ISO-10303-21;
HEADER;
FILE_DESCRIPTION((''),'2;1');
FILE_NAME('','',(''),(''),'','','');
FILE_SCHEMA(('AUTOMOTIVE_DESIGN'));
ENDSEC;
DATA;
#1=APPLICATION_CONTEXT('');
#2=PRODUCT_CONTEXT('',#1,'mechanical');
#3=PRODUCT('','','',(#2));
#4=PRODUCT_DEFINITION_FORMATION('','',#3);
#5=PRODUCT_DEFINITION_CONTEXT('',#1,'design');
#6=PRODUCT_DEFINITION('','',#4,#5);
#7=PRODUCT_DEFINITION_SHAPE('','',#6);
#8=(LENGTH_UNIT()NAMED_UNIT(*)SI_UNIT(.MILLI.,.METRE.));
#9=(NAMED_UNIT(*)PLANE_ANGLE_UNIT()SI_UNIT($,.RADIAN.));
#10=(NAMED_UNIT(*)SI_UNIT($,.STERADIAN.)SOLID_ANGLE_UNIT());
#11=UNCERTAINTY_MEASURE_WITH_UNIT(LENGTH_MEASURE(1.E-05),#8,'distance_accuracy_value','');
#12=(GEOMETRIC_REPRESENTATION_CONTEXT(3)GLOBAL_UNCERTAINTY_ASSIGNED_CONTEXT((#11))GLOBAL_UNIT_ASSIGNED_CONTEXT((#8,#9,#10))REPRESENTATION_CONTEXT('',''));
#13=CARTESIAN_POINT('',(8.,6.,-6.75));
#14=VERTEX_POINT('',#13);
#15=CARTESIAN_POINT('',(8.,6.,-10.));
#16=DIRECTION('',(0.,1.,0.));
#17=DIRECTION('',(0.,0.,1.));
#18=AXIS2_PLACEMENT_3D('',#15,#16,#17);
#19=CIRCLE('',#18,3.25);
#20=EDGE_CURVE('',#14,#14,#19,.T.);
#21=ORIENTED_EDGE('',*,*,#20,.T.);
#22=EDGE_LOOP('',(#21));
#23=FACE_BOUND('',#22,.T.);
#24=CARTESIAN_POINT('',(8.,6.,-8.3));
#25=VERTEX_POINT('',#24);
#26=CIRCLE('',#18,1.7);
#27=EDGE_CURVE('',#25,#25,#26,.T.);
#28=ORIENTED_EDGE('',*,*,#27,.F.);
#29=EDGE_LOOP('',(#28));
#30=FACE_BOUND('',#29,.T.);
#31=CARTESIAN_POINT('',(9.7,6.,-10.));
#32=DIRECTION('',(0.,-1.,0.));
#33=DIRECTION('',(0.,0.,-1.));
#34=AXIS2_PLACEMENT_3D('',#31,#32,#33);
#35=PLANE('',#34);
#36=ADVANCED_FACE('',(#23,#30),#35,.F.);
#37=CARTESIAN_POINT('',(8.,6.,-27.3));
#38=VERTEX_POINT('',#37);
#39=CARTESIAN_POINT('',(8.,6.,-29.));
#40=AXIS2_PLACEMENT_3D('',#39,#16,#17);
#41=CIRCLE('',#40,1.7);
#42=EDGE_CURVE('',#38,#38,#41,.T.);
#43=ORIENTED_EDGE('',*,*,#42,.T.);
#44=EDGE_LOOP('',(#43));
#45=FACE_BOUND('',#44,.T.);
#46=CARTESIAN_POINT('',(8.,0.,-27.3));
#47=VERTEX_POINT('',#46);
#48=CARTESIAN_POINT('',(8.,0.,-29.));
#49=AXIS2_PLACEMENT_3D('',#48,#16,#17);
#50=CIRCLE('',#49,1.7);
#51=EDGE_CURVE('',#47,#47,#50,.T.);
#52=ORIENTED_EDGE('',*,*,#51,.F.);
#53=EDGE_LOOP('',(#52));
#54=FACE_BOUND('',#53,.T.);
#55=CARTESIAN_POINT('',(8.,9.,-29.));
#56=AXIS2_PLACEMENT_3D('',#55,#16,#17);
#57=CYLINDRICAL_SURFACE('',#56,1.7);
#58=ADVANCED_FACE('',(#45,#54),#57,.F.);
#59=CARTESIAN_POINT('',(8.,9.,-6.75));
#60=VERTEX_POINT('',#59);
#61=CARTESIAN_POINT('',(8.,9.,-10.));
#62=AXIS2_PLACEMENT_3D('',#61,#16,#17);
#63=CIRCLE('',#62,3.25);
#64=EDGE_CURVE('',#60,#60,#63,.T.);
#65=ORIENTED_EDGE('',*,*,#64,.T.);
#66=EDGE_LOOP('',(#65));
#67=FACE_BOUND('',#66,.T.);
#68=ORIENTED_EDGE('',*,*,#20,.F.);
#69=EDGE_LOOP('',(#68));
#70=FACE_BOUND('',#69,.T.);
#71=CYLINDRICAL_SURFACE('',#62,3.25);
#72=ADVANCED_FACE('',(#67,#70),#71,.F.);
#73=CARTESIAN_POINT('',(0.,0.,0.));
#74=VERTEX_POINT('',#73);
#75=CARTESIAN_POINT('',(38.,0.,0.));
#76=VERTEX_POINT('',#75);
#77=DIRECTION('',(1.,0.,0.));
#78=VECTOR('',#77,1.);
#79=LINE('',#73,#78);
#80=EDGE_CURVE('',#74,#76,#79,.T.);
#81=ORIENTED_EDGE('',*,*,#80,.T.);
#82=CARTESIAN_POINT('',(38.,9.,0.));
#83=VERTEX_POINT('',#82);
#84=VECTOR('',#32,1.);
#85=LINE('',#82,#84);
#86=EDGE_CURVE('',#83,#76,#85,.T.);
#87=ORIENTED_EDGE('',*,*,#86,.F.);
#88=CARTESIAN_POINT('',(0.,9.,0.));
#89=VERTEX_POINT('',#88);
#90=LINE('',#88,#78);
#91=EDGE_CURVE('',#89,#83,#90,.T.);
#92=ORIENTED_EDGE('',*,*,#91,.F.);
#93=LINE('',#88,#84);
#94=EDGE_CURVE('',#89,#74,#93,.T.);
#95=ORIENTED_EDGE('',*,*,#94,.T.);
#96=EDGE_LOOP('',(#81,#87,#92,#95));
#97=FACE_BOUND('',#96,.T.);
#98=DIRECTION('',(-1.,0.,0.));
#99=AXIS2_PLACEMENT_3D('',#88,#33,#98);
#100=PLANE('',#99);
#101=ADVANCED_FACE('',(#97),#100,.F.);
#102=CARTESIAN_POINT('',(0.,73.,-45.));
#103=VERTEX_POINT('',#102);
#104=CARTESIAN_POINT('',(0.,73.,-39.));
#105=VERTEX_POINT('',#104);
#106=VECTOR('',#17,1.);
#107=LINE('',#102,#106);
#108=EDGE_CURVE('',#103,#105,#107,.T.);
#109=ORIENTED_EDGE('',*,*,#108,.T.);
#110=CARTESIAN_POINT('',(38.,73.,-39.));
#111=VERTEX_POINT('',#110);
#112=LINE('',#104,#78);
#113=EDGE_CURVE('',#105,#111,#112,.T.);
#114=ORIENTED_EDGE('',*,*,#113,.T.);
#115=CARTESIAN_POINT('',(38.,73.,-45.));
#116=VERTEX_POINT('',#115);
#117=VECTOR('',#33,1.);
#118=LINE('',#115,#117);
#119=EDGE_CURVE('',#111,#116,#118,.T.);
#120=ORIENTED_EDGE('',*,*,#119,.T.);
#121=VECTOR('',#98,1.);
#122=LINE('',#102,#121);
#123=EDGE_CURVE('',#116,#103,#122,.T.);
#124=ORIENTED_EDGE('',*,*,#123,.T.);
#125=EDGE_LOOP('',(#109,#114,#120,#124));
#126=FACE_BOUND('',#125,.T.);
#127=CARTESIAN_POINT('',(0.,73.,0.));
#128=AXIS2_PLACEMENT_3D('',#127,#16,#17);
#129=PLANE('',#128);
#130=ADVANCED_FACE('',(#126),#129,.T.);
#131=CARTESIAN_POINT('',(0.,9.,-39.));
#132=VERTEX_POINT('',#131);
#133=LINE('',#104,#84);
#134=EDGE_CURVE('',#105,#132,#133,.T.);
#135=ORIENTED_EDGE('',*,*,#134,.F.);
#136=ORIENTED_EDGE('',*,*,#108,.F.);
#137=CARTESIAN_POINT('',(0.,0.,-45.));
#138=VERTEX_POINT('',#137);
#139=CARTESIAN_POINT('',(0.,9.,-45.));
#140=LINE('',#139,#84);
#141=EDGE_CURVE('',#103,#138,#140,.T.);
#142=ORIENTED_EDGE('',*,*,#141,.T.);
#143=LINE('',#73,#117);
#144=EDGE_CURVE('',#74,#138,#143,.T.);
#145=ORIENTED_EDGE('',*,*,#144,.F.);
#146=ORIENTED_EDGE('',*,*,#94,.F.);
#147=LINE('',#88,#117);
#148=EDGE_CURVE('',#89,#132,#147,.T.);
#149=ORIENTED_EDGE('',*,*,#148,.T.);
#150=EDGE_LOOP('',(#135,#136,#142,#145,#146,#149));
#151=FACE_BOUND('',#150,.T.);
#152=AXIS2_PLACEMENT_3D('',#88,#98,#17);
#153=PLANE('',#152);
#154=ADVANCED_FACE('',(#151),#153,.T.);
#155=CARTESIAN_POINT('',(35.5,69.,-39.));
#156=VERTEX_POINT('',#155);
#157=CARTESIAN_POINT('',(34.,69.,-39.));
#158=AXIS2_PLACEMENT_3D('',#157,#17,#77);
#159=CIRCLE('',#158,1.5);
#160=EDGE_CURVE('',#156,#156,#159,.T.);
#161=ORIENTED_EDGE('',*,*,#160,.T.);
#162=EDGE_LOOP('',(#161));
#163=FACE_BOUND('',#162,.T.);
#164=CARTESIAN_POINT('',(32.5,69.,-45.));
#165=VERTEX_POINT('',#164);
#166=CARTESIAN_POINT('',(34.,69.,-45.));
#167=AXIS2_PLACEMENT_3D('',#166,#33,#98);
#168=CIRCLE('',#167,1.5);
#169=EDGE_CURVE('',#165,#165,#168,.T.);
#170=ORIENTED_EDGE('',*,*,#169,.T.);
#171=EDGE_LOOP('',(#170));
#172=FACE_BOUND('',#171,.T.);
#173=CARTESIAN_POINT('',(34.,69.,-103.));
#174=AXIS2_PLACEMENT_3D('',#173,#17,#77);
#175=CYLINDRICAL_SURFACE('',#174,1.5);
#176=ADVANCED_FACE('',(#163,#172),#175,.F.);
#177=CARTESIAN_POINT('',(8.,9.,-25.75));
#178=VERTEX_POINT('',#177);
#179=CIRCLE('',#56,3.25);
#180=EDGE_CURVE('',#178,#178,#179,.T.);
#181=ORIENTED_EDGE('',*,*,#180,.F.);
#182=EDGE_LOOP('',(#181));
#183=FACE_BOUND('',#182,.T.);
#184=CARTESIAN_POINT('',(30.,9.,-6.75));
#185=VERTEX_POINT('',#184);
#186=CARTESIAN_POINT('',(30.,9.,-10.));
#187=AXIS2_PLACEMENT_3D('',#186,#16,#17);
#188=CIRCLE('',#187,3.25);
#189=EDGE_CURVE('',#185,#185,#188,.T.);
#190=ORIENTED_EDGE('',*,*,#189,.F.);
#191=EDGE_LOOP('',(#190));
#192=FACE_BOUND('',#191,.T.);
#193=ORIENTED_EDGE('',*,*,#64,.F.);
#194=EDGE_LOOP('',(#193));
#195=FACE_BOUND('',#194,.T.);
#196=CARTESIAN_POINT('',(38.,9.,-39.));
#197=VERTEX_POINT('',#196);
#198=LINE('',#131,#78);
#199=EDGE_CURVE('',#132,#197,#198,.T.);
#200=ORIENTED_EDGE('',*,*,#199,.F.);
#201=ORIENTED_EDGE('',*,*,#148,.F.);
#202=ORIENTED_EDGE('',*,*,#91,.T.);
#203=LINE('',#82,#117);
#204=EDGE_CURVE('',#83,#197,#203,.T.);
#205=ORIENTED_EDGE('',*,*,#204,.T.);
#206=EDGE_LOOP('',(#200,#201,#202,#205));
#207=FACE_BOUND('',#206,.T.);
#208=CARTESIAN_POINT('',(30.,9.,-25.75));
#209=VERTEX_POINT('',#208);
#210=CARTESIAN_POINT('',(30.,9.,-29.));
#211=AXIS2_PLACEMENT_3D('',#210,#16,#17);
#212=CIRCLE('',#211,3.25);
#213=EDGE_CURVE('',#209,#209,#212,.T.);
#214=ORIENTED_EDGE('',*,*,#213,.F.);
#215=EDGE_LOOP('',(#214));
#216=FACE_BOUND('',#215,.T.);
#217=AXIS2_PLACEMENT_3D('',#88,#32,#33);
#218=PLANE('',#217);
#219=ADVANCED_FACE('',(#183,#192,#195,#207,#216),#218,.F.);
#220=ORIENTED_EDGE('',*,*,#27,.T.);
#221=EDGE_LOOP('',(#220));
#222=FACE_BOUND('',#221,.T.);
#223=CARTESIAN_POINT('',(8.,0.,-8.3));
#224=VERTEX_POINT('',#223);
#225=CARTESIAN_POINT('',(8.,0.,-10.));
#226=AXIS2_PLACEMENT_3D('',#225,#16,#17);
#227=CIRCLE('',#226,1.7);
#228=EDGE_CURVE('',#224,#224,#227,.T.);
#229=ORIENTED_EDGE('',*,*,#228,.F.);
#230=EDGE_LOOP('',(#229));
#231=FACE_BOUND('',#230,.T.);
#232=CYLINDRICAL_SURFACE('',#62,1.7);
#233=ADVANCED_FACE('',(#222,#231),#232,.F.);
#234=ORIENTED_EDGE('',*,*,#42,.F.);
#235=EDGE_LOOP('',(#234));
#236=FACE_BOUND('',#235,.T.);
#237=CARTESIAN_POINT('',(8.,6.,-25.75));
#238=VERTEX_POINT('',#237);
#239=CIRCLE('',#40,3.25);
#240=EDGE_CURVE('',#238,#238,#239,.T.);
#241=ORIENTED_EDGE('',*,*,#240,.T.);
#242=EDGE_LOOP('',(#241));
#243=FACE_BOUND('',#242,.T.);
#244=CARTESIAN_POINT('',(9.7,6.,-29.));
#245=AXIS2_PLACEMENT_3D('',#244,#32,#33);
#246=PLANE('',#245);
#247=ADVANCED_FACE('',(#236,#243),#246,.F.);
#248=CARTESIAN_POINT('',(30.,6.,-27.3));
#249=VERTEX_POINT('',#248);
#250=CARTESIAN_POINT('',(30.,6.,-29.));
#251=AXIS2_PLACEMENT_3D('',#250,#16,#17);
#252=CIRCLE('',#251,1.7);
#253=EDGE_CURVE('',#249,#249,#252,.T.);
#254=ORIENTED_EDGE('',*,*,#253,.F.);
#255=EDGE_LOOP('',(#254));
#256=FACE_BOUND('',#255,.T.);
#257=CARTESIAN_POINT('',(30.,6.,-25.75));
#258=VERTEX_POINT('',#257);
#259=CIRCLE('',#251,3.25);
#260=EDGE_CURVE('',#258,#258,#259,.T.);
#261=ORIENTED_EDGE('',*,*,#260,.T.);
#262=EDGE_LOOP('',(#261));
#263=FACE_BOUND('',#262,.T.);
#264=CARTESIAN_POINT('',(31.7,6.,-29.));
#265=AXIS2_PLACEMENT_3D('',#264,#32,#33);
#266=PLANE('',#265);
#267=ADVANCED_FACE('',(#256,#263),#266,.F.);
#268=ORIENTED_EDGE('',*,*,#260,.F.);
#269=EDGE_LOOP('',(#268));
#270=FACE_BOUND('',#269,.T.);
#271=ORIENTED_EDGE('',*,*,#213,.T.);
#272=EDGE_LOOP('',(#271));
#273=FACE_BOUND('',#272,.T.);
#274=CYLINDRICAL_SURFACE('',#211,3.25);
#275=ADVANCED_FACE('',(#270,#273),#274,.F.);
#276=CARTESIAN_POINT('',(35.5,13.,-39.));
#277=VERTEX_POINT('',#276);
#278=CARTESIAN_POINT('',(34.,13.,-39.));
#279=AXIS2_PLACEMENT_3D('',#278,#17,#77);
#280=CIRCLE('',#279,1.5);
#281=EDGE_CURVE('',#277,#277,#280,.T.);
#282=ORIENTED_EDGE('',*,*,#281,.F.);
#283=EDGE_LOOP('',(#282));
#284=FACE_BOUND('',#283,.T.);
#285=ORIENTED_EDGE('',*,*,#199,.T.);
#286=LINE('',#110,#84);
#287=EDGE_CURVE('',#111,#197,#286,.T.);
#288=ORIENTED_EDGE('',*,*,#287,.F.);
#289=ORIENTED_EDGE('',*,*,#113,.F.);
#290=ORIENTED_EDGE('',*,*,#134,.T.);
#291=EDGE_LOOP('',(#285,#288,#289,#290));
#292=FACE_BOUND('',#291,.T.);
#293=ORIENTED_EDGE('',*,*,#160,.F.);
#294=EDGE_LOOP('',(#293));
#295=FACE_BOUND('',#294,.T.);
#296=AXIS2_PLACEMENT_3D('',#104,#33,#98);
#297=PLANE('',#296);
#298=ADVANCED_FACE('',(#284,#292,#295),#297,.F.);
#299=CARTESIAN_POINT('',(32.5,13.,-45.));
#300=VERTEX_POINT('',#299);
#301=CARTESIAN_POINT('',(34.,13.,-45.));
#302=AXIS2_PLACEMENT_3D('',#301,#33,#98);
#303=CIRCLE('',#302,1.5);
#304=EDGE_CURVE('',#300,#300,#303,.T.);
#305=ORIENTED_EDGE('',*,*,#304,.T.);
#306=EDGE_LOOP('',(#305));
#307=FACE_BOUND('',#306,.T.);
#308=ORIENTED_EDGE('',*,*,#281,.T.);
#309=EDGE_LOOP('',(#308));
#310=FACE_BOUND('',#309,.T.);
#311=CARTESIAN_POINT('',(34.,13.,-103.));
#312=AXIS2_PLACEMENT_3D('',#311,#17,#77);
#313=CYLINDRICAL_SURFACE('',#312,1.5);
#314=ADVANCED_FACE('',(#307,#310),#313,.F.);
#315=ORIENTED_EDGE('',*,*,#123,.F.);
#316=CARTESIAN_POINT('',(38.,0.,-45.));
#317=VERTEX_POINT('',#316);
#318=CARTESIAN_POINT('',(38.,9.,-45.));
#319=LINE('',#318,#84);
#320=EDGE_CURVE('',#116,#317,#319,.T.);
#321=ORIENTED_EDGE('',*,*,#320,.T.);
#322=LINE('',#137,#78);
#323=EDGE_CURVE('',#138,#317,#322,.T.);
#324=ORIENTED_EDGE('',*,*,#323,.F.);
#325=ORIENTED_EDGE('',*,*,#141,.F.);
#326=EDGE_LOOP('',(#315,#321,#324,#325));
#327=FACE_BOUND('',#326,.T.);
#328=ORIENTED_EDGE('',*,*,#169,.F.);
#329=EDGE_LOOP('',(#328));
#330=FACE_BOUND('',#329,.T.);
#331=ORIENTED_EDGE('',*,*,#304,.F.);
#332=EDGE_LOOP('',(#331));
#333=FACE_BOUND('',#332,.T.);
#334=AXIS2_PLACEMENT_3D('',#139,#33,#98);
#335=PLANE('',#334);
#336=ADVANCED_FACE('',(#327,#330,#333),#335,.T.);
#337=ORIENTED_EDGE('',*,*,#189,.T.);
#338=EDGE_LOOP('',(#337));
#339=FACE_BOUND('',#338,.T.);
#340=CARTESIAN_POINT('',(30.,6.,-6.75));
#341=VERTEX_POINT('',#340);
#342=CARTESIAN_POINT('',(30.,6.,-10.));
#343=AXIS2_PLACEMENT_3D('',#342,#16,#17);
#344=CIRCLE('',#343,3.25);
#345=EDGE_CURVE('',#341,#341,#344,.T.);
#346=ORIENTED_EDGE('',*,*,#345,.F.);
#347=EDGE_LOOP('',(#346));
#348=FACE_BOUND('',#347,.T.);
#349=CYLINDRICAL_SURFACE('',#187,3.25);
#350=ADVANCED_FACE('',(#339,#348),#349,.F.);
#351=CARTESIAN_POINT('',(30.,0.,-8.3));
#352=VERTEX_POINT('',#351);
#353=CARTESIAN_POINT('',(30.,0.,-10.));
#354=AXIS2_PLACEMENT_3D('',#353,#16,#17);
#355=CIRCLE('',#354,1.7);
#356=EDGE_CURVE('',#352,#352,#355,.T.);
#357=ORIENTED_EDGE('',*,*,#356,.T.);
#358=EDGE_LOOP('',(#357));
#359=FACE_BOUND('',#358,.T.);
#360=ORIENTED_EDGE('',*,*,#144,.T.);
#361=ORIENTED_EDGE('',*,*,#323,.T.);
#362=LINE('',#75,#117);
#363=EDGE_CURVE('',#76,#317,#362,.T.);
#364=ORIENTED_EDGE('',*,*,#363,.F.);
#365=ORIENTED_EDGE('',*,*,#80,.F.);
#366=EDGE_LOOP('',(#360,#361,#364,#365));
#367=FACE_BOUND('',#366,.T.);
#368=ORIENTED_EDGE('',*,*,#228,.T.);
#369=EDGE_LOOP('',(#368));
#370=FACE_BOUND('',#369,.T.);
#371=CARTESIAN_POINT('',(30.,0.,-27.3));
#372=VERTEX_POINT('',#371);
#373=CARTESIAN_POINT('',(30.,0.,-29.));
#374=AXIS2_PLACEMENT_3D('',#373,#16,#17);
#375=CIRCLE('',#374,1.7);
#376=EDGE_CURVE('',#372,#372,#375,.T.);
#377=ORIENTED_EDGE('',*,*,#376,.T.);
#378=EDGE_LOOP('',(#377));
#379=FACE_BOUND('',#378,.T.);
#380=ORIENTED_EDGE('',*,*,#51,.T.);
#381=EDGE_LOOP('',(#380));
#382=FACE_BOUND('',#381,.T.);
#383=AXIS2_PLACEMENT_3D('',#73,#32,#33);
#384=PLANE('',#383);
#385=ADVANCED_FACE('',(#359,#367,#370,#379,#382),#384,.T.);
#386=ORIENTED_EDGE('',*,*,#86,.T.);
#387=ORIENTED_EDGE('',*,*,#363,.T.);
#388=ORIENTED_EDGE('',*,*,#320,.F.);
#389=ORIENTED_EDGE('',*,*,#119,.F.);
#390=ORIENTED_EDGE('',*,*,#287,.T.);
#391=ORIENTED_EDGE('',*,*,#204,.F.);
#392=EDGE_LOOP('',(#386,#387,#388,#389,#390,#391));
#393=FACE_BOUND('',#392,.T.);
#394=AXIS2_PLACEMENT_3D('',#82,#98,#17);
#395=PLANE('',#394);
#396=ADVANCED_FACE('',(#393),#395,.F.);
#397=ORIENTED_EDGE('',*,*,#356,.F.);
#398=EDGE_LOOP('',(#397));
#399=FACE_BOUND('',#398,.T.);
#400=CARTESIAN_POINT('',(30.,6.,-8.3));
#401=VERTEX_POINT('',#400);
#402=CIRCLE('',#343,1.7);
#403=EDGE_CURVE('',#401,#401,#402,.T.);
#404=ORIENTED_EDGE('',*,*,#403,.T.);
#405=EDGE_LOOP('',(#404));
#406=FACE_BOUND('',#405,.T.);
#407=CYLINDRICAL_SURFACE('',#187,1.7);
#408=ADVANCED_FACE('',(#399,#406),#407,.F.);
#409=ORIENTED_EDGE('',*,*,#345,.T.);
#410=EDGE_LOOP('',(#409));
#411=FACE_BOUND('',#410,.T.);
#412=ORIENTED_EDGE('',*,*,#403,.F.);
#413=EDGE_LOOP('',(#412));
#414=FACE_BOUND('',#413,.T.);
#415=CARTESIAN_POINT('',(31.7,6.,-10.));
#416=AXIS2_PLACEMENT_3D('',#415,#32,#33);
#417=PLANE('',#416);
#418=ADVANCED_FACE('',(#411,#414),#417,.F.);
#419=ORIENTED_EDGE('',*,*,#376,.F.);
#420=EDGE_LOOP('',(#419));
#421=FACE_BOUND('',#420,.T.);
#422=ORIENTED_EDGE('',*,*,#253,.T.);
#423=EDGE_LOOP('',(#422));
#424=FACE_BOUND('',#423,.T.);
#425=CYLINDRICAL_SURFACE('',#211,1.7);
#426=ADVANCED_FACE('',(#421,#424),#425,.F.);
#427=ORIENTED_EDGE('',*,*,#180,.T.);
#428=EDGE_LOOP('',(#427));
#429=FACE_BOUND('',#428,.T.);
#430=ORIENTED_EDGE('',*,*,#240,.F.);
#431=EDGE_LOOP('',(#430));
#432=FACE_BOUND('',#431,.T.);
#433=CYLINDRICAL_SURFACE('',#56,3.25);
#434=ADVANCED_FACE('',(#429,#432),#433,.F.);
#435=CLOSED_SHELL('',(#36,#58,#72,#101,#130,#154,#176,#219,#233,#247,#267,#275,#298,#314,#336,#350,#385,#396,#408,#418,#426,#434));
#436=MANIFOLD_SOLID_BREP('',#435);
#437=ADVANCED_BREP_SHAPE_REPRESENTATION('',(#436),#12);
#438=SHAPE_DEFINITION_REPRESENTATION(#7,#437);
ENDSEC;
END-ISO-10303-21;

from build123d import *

# Parameters (mm, degrees)
SKETCH1_W                      = 38
SKETCH1_H                      = 45
BOSS_EXTRUDE2_DEPTH            = 9
SKETCH2_W                      = 38
SKETCH2_H                      = 6
BOSS_EXTRUDE3_DEPTH            = 64
SKETCH3_R                      = 1.5
CUT_EXTRUDE1_DEPTH             = 64
CBORE_FOR_M3_SHCS1_D           = 3.4
CBORE_FOR_M3_SHCS1_CBORE_D     = 6.5
CBORE_FOR_M3_SHCS1_CBORE_DEPTH = 3


with BuildPart() as part:
    # Sketch1 → Boss-Extrude2 (new body)
    with BuildSketch(Plane(origin=(0, 0, 0), x_dir=(1, 0, 0), z_dir=(0, 1, 0))):
        with Locations((19, 22.5)):
            Rectangle(SKETCH1_W, SKETCH1_H)
    extrude(amount=BOSS_EXTRUDE2_DEPTH)

    # Sketch2 → Boss-Extrude3 (add)
    with BuildSketch(Plane(origin=(0, 9, 0), x_dir=(1, 0, 0), z_dir=(0, 1, 0))):
        with Locations((19, 42)):
            Rectangle(SKETCH2_W, SKETCH2_H)
    extrude(amount=BOSS_EXTRUDE3_DEPTH)

    # Sketch3 → Cut-Extrude1 (cut)
    with BuildSketch(Plane.XY.offset(-39)):
        with Locations((34, 69)):
            Circle(SKETCH3_R)
        with Locations((34, 13)):
            Circle(SKETCH3_R)
    extrude(amount=-CUT_EXTRUDE1_DEPTH, mode=Mode.SUBTRACT)

    # CBORE for M3 SHCS1 (through all)
    with Locations(Plane(origin=(0, 9, 0), x_dir=(1, 0, 0), z_dir=(0, 1, 0))):
        with Locations((8, 29), (8, 10), (30, 10), (30, 29)):
            CounterBoreHole(CBORE_FOR_M3_SHCS1_D / 2, CBORE_FOR_M3_SHCS1_CBORE_D / 2, CBORE_FOR_M3_SHCS1_CBORE_DEPTH)


solid = part.part
